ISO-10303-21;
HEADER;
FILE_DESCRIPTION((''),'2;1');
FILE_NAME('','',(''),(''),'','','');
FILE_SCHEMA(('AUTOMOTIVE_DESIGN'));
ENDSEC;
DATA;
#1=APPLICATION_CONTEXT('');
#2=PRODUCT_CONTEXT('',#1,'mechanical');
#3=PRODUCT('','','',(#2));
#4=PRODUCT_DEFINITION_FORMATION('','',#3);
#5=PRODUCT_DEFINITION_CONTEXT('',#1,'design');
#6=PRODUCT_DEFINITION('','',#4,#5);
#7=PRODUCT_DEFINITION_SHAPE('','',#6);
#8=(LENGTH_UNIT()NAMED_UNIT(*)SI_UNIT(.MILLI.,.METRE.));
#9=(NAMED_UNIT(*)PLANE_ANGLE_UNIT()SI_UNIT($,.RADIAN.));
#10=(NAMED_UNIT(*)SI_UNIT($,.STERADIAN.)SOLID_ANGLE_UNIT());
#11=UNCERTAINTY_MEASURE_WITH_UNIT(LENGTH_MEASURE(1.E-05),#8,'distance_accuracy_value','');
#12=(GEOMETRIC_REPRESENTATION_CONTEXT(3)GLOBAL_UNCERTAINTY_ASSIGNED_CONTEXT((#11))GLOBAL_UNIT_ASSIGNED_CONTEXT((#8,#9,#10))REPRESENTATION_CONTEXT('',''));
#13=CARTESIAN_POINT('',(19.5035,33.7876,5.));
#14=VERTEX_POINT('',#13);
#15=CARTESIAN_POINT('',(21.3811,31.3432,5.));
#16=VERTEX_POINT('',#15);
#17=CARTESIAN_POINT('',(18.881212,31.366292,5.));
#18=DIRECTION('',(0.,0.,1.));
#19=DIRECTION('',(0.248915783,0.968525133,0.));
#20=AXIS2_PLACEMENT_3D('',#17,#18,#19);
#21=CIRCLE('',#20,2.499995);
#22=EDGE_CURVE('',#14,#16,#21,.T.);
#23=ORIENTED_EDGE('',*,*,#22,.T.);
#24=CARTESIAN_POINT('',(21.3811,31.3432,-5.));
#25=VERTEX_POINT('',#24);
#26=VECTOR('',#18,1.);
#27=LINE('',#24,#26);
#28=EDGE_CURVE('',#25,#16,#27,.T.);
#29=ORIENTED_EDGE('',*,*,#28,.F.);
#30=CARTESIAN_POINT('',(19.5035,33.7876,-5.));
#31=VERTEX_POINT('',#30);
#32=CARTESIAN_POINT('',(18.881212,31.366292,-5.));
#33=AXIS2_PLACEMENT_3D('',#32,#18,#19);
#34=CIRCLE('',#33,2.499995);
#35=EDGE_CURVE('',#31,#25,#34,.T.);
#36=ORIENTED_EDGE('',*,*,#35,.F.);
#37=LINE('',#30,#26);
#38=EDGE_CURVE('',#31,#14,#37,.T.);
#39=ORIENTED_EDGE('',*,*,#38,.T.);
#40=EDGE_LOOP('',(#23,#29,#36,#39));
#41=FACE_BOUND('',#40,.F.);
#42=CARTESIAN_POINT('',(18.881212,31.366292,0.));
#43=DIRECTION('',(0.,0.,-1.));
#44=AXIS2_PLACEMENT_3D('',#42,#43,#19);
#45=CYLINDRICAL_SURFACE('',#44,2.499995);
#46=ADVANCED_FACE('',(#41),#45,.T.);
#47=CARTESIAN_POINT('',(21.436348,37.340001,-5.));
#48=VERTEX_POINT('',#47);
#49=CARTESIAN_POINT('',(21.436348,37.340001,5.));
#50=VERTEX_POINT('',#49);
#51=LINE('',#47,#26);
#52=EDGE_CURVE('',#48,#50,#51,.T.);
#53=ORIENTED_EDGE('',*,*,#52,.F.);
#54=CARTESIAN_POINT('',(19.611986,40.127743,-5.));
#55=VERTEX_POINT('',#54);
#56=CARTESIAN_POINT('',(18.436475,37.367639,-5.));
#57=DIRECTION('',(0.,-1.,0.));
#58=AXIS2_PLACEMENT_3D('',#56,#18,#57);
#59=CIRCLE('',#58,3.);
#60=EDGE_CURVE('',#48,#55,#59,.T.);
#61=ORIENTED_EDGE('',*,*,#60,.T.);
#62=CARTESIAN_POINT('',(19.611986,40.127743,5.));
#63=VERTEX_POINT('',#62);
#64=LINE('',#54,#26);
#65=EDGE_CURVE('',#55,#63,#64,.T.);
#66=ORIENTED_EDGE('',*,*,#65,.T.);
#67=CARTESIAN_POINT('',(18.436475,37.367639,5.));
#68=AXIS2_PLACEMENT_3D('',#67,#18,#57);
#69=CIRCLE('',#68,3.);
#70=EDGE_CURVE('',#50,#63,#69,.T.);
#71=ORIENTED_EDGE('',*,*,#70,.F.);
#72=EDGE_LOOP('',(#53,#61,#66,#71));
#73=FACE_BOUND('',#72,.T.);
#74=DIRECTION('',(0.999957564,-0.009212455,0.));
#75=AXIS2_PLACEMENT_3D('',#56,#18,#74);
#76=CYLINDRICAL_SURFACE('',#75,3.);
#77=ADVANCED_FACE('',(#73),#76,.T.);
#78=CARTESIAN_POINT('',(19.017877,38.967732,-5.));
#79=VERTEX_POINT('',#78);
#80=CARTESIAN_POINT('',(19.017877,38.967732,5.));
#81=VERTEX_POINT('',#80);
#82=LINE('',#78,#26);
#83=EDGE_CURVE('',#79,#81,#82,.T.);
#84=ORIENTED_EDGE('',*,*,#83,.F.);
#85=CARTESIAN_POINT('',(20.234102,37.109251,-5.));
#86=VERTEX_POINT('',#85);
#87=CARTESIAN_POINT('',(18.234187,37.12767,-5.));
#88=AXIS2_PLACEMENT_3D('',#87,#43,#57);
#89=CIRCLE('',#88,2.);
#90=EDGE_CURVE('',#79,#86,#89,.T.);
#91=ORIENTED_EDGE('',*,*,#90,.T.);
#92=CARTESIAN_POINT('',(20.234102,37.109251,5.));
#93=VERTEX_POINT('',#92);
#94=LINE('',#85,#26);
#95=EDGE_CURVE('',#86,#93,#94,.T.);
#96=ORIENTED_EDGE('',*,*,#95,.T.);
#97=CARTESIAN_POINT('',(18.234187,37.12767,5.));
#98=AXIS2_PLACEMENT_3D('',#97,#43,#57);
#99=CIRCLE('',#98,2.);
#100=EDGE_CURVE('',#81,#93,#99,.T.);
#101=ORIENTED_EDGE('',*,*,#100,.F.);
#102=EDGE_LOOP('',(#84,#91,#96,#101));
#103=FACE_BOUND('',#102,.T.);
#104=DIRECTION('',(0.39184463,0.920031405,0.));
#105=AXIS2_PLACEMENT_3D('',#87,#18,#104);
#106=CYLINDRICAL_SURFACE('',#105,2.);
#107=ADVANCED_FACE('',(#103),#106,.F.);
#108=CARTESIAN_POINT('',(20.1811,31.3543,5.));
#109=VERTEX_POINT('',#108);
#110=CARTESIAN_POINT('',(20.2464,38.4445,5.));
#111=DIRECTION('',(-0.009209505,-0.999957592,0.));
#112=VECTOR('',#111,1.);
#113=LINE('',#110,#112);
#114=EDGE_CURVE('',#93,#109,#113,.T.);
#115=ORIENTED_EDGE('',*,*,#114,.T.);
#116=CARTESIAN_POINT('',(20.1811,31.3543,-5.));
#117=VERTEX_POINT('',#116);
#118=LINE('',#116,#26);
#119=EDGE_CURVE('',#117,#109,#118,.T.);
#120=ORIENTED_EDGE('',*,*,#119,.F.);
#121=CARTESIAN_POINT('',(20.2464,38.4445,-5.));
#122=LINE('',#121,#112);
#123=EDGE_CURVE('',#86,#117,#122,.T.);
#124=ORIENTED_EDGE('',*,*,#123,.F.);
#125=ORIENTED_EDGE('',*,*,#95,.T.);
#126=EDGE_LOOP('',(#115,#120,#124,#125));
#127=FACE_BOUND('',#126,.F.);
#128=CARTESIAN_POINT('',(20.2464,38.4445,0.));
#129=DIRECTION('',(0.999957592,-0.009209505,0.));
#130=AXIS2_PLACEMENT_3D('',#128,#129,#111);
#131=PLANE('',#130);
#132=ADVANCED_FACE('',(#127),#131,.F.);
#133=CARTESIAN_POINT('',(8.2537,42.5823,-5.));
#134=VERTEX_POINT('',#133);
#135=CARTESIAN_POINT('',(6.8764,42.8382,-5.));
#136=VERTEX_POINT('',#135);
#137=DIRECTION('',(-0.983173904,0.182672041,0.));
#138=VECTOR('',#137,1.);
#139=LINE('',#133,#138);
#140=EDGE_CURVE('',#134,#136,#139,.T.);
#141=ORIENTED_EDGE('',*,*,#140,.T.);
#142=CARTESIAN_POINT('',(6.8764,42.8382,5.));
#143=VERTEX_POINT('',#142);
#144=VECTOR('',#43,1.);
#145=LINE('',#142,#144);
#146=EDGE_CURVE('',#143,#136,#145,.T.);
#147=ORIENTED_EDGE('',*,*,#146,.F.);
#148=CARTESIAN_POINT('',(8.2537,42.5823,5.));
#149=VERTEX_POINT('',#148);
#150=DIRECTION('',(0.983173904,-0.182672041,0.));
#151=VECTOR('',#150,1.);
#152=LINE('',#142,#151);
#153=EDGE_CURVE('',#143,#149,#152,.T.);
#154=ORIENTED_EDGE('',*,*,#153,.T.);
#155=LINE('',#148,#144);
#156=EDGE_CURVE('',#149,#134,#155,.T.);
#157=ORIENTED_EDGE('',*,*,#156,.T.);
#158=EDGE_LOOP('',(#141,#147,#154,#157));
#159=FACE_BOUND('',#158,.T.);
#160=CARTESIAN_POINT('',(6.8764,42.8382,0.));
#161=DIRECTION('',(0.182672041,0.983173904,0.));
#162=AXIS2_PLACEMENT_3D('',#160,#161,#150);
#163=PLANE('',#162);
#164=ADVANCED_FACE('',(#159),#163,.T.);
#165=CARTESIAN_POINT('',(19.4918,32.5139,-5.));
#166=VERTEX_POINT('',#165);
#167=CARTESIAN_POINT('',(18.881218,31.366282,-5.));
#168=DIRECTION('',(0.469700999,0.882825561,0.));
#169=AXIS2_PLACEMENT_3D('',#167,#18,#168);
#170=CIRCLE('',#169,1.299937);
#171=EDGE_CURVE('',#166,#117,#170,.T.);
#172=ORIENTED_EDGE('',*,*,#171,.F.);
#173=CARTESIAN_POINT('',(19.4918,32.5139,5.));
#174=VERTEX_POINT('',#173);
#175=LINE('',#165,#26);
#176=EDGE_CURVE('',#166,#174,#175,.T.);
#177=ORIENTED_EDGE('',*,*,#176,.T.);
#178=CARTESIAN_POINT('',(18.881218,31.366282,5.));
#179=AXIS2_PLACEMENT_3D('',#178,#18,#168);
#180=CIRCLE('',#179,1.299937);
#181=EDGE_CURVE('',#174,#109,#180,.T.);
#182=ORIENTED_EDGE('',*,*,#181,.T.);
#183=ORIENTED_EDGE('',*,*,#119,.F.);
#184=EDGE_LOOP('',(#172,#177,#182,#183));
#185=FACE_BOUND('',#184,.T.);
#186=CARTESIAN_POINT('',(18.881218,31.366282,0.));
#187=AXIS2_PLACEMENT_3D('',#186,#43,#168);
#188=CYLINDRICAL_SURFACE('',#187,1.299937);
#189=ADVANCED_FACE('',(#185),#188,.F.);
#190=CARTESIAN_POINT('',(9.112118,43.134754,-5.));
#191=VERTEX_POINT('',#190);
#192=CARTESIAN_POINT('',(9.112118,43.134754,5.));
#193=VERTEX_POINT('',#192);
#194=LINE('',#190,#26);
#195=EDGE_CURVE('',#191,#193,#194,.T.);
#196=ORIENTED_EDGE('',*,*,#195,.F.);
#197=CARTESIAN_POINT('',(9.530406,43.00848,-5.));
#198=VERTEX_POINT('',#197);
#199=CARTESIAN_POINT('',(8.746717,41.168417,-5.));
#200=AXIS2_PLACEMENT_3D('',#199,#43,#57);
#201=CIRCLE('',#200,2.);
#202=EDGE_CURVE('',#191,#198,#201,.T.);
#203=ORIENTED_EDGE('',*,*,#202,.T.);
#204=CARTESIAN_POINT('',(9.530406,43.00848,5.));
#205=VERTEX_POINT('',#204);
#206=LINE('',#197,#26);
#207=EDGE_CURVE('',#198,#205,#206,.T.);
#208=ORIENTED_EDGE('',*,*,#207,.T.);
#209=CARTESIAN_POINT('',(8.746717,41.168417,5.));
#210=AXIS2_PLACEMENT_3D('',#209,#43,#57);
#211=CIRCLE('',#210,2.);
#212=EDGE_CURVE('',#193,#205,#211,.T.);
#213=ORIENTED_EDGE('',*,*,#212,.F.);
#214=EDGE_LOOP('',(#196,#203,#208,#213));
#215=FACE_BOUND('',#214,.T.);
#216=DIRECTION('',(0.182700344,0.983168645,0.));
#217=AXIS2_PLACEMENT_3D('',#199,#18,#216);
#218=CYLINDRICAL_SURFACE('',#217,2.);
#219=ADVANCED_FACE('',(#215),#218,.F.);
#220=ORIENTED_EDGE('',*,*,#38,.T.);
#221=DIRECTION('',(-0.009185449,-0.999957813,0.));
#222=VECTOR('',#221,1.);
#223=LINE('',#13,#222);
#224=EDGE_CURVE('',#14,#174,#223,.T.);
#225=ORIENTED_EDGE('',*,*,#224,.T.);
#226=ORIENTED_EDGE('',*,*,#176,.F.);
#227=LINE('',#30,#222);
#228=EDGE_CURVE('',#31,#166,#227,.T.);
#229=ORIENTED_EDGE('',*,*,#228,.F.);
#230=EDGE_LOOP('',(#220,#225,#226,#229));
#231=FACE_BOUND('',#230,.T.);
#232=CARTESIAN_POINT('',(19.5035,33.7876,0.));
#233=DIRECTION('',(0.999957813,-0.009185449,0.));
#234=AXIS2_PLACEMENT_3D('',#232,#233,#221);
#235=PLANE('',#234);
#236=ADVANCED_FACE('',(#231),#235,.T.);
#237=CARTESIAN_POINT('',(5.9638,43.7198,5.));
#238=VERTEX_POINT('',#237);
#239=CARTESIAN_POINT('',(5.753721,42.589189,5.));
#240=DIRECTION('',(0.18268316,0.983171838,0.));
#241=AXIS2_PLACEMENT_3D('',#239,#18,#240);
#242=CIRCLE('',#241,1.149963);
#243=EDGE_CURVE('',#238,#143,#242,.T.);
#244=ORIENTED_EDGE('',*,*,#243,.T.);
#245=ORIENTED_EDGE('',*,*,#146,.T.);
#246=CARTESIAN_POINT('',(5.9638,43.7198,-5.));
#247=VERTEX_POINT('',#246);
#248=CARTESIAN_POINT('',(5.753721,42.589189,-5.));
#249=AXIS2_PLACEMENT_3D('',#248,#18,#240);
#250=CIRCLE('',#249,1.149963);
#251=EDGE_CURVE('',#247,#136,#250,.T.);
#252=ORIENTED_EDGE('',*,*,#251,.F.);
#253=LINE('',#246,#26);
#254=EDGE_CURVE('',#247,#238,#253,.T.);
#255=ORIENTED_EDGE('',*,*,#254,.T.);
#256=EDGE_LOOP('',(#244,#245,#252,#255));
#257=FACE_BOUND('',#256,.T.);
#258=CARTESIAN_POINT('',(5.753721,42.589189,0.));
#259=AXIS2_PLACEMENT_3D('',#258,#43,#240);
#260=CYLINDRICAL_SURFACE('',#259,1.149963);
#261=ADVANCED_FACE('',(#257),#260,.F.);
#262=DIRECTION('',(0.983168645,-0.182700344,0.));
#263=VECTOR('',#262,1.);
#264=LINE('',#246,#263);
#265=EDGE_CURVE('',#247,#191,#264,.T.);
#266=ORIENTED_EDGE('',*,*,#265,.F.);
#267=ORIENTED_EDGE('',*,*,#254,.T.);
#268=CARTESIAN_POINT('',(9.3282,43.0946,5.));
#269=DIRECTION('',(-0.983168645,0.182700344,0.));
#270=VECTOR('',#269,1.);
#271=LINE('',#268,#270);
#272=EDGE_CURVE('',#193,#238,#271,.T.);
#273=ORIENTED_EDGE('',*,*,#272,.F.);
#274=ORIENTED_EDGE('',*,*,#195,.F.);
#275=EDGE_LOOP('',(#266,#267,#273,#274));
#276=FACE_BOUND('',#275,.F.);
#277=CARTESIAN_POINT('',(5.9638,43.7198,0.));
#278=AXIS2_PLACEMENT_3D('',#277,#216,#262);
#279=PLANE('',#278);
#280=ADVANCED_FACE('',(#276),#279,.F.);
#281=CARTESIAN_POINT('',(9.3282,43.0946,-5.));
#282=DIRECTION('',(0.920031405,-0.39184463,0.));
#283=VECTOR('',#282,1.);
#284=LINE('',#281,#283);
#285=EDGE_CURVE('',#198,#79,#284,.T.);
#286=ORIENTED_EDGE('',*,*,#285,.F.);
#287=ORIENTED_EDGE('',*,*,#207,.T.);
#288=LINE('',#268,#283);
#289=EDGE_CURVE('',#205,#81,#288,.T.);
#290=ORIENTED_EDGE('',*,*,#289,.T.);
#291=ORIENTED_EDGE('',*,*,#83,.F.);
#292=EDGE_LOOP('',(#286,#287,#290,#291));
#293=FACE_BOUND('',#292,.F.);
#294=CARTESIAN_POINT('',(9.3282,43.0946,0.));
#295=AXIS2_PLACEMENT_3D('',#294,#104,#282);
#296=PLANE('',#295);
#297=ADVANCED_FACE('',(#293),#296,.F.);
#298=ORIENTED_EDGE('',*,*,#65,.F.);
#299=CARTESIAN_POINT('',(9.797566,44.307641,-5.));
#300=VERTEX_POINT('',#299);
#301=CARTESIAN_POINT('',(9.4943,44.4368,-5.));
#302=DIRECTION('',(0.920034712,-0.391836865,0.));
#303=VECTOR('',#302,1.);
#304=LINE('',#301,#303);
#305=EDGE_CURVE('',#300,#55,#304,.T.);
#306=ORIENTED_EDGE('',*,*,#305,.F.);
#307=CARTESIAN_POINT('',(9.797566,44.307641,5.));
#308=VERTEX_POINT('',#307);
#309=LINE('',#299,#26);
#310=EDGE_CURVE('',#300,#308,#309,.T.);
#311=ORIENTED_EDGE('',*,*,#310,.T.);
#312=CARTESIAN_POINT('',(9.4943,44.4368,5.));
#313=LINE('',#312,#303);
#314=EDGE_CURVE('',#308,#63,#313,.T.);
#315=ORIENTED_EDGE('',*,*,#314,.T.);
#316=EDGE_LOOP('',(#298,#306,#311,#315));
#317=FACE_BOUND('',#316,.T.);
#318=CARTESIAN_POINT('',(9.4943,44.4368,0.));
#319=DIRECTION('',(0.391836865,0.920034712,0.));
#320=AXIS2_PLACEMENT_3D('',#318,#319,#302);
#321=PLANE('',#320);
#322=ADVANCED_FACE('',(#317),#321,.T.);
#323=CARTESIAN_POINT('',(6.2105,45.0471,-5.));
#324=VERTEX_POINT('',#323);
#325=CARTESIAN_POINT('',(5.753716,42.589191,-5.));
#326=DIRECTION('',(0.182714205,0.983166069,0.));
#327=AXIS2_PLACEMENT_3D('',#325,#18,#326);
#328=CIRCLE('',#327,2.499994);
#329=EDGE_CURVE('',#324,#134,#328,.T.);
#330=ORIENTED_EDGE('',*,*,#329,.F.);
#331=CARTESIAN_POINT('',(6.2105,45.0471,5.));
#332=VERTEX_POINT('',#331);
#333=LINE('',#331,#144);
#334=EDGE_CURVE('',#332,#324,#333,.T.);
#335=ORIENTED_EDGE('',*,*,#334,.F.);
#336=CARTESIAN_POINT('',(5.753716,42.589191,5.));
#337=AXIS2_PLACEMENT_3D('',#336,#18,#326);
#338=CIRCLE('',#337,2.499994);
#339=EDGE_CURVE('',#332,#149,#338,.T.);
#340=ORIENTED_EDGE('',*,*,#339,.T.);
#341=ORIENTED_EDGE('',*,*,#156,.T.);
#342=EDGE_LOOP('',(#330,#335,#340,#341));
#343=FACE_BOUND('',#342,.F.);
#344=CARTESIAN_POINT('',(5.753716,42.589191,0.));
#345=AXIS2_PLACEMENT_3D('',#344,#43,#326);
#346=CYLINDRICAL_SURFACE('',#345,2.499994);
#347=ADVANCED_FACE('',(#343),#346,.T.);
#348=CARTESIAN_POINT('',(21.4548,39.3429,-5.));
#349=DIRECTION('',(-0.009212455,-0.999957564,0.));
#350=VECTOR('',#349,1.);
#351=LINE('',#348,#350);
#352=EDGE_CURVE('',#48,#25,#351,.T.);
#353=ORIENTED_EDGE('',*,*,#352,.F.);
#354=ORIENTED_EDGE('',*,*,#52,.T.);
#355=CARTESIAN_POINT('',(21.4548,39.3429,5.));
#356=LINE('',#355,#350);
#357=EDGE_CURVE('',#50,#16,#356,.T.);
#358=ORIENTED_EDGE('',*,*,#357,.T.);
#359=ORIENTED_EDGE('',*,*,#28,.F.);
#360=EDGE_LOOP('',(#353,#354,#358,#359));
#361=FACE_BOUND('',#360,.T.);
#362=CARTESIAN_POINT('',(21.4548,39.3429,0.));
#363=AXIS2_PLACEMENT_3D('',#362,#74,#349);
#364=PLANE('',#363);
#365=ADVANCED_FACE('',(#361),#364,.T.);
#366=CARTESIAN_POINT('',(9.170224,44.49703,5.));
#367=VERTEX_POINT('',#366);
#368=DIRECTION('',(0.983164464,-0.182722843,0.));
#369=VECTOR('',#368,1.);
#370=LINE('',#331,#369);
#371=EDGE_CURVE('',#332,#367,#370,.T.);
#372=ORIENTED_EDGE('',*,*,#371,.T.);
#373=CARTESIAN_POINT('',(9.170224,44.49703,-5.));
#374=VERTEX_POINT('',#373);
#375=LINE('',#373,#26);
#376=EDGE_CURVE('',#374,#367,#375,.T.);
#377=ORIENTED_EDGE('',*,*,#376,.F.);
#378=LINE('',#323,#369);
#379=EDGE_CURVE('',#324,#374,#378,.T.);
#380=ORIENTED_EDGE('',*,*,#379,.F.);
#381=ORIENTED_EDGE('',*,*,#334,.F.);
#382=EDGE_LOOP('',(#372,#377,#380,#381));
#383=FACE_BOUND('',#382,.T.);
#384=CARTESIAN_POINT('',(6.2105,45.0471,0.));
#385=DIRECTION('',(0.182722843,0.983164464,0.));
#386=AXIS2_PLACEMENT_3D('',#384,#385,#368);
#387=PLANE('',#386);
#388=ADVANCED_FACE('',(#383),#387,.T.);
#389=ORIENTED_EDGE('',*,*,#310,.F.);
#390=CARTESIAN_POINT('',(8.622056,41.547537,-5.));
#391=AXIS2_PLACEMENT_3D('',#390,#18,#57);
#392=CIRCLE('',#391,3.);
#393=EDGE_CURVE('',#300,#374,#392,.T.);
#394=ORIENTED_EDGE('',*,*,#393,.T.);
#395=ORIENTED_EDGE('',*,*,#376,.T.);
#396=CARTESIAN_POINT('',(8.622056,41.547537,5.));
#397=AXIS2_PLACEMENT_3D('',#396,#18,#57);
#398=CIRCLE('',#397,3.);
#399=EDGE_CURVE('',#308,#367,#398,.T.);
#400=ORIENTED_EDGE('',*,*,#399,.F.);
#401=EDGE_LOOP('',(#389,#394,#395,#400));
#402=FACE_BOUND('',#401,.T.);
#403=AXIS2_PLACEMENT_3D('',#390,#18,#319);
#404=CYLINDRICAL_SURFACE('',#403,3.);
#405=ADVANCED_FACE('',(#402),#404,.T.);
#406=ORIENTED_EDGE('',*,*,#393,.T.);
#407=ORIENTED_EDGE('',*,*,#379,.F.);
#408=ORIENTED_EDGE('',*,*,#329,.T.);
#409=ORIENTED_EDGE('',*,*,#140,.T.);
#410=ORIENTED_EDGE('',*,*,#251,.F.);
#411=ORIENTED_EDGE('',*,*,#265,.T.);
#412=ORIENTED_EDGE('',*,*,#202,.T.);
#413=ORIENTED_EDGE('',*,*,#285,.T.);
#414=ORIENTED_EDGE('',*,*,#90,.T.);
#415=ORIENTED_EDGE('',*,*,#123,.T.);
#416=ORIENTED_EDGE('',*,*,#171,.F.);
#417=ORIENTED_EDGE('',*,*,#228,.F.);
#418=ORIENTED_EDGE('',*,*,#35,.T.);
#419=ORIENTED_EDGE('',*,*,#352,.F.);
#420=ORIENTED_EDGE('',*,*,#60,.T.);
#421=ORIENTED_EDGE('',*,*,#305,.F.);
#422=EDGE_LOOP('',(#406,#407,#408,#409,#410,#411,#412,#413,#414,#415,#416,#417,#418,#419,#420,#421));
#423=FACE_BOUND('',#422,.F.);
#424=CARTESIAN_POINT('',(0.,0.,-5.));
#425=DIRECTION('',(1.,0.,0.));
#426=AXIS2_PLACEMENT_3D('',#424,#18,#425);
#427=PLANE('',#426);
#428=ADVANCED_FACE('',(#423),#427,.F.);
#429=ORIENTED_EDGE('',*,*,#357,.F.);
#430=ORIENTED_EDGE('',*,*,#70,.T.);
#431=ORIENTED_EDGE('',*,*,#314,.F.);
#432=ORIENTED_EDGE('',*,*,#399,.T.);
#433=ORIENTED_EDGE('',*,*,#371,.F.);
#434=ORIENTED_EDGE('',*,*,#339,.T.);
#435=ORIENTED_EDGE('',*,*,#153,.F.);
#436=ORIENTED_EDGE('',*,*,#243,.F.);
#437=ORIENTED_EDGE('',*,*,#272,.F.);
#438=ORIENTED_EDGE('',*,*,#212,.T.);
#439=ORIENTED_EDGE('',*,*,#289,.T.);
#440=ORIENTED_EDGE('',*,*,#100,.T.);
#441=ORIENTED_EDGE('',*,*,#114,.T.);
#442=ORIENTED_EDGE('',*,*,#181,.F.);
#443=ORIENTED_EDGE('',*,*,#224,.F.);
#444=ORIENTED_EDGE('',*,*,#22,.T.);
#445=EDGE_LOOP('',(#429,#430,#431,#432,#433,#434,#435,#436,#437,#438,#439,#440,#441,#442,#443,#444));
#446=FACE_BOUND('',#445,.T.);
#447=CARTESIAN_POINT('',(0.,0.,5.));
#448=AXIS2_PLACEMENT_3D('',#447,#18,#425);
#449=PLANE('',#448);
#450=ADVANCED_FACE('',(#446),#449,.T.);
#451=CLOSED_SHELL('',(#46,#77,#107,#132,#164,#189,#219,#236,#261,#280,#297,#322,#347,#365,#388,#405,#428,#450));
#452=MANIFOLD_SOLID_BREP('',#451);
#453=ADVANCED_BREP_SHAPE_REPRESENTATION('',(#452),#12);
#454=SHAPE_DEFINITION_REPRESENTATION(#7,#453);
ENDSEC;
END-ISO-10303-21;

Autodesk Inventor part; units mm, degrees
ref_plane "YZ Plane" through (0, 0, 0) normal (1, 0, 0) x (0, 1, 0)
ref_plane "XZ Plane" through (0, 0, 0) normal (0, 1, 0) x (-1, 0, 0)
ref_plane "XY Plane" through (0, 0, 0) normal (0, 0, 1) x (1, 0, 0)
sketch "Sketch1" plane through (0, 0, 0) normal (0, 0, 1) x (1, 0, 0)
  arc A0 (5.9638, 43.7198) -> (6.8764, 42.8382) centre (5.7537, 42.5892) ccw
  arc A1 (6.2105, 45.0471) -> (8.2537, 42.5823) centre (5.7537, 42.5892) ccw
  arc A2 (19.5035, 33.7876) -> (21.3811, 31.3432) centre (18.8812, 31.3663) ccw
  line L0 (6.2105, 45.0471) -> (9.4943, 44.4368)
  line L1 (9.4943, 44.4368) -> (21.4548, 39.3429)
  line L2 (21.4548, 39.3429) -> (21.3811, 31.3432)
  line L3 (5.9638, 43.7198) -> (9.3282, 43.0946)
  line L4 (9.3282, 43.0946) -> (20.2464, 38.4445)
  line L5 (20.2464, 38.4445) -> (20.1811, 31.3543)
  line L6 (6.8764, 42.8382) -> (8.2537, 42.5823)
  line L7 (19.5035, 33.7876) -> (19.4918, 32.5139)
  arc A3 (19.4918, 32.5139) -> (20.1811, 31.3543) centre (18.8812, 31.3663) ccw
  line L8 (5.7537, 42.5892) -> (18.8812, 31.3663) construction
  circle A4 centre (5.7537, 42.5892) radius 1.2
  point P0 (0, 0)
  dimension "d0" = 5
  dimension "d1" = 5
  dimension "d2" = 1.3
  dimension "d5" = 1.35
  dimension "d8" = 8
  dimension "d9" = 0.7
  dimension "d10" = 0.7
  dimension "d12" = 1.2
  dimension "d18" = 2.3
  dimension "d19" = 30
  dimension "d20" = 13
  dimension "d21" = 50
extrude "Extrusion1" add sketch "Sketch1" along normal mid plane 10 contours A0 L6 A4 L3 | A4 L6 A1 L0 L1 L2 A2 L7 A3 L5 L4 L3 picked at (6.096, 43.7118)
fillet "Fillet1" radius 2 2 edges at (20.2464, 38.4445, 0) (9.3282, 43.0946, 0)
fillet "Fillet1" radius 3 2 edges at (9.4943, 44.4368, 0) (21.4548, 39.3429, 0)
properties part number "Linkage for full overlay hinge" material "Steel"
